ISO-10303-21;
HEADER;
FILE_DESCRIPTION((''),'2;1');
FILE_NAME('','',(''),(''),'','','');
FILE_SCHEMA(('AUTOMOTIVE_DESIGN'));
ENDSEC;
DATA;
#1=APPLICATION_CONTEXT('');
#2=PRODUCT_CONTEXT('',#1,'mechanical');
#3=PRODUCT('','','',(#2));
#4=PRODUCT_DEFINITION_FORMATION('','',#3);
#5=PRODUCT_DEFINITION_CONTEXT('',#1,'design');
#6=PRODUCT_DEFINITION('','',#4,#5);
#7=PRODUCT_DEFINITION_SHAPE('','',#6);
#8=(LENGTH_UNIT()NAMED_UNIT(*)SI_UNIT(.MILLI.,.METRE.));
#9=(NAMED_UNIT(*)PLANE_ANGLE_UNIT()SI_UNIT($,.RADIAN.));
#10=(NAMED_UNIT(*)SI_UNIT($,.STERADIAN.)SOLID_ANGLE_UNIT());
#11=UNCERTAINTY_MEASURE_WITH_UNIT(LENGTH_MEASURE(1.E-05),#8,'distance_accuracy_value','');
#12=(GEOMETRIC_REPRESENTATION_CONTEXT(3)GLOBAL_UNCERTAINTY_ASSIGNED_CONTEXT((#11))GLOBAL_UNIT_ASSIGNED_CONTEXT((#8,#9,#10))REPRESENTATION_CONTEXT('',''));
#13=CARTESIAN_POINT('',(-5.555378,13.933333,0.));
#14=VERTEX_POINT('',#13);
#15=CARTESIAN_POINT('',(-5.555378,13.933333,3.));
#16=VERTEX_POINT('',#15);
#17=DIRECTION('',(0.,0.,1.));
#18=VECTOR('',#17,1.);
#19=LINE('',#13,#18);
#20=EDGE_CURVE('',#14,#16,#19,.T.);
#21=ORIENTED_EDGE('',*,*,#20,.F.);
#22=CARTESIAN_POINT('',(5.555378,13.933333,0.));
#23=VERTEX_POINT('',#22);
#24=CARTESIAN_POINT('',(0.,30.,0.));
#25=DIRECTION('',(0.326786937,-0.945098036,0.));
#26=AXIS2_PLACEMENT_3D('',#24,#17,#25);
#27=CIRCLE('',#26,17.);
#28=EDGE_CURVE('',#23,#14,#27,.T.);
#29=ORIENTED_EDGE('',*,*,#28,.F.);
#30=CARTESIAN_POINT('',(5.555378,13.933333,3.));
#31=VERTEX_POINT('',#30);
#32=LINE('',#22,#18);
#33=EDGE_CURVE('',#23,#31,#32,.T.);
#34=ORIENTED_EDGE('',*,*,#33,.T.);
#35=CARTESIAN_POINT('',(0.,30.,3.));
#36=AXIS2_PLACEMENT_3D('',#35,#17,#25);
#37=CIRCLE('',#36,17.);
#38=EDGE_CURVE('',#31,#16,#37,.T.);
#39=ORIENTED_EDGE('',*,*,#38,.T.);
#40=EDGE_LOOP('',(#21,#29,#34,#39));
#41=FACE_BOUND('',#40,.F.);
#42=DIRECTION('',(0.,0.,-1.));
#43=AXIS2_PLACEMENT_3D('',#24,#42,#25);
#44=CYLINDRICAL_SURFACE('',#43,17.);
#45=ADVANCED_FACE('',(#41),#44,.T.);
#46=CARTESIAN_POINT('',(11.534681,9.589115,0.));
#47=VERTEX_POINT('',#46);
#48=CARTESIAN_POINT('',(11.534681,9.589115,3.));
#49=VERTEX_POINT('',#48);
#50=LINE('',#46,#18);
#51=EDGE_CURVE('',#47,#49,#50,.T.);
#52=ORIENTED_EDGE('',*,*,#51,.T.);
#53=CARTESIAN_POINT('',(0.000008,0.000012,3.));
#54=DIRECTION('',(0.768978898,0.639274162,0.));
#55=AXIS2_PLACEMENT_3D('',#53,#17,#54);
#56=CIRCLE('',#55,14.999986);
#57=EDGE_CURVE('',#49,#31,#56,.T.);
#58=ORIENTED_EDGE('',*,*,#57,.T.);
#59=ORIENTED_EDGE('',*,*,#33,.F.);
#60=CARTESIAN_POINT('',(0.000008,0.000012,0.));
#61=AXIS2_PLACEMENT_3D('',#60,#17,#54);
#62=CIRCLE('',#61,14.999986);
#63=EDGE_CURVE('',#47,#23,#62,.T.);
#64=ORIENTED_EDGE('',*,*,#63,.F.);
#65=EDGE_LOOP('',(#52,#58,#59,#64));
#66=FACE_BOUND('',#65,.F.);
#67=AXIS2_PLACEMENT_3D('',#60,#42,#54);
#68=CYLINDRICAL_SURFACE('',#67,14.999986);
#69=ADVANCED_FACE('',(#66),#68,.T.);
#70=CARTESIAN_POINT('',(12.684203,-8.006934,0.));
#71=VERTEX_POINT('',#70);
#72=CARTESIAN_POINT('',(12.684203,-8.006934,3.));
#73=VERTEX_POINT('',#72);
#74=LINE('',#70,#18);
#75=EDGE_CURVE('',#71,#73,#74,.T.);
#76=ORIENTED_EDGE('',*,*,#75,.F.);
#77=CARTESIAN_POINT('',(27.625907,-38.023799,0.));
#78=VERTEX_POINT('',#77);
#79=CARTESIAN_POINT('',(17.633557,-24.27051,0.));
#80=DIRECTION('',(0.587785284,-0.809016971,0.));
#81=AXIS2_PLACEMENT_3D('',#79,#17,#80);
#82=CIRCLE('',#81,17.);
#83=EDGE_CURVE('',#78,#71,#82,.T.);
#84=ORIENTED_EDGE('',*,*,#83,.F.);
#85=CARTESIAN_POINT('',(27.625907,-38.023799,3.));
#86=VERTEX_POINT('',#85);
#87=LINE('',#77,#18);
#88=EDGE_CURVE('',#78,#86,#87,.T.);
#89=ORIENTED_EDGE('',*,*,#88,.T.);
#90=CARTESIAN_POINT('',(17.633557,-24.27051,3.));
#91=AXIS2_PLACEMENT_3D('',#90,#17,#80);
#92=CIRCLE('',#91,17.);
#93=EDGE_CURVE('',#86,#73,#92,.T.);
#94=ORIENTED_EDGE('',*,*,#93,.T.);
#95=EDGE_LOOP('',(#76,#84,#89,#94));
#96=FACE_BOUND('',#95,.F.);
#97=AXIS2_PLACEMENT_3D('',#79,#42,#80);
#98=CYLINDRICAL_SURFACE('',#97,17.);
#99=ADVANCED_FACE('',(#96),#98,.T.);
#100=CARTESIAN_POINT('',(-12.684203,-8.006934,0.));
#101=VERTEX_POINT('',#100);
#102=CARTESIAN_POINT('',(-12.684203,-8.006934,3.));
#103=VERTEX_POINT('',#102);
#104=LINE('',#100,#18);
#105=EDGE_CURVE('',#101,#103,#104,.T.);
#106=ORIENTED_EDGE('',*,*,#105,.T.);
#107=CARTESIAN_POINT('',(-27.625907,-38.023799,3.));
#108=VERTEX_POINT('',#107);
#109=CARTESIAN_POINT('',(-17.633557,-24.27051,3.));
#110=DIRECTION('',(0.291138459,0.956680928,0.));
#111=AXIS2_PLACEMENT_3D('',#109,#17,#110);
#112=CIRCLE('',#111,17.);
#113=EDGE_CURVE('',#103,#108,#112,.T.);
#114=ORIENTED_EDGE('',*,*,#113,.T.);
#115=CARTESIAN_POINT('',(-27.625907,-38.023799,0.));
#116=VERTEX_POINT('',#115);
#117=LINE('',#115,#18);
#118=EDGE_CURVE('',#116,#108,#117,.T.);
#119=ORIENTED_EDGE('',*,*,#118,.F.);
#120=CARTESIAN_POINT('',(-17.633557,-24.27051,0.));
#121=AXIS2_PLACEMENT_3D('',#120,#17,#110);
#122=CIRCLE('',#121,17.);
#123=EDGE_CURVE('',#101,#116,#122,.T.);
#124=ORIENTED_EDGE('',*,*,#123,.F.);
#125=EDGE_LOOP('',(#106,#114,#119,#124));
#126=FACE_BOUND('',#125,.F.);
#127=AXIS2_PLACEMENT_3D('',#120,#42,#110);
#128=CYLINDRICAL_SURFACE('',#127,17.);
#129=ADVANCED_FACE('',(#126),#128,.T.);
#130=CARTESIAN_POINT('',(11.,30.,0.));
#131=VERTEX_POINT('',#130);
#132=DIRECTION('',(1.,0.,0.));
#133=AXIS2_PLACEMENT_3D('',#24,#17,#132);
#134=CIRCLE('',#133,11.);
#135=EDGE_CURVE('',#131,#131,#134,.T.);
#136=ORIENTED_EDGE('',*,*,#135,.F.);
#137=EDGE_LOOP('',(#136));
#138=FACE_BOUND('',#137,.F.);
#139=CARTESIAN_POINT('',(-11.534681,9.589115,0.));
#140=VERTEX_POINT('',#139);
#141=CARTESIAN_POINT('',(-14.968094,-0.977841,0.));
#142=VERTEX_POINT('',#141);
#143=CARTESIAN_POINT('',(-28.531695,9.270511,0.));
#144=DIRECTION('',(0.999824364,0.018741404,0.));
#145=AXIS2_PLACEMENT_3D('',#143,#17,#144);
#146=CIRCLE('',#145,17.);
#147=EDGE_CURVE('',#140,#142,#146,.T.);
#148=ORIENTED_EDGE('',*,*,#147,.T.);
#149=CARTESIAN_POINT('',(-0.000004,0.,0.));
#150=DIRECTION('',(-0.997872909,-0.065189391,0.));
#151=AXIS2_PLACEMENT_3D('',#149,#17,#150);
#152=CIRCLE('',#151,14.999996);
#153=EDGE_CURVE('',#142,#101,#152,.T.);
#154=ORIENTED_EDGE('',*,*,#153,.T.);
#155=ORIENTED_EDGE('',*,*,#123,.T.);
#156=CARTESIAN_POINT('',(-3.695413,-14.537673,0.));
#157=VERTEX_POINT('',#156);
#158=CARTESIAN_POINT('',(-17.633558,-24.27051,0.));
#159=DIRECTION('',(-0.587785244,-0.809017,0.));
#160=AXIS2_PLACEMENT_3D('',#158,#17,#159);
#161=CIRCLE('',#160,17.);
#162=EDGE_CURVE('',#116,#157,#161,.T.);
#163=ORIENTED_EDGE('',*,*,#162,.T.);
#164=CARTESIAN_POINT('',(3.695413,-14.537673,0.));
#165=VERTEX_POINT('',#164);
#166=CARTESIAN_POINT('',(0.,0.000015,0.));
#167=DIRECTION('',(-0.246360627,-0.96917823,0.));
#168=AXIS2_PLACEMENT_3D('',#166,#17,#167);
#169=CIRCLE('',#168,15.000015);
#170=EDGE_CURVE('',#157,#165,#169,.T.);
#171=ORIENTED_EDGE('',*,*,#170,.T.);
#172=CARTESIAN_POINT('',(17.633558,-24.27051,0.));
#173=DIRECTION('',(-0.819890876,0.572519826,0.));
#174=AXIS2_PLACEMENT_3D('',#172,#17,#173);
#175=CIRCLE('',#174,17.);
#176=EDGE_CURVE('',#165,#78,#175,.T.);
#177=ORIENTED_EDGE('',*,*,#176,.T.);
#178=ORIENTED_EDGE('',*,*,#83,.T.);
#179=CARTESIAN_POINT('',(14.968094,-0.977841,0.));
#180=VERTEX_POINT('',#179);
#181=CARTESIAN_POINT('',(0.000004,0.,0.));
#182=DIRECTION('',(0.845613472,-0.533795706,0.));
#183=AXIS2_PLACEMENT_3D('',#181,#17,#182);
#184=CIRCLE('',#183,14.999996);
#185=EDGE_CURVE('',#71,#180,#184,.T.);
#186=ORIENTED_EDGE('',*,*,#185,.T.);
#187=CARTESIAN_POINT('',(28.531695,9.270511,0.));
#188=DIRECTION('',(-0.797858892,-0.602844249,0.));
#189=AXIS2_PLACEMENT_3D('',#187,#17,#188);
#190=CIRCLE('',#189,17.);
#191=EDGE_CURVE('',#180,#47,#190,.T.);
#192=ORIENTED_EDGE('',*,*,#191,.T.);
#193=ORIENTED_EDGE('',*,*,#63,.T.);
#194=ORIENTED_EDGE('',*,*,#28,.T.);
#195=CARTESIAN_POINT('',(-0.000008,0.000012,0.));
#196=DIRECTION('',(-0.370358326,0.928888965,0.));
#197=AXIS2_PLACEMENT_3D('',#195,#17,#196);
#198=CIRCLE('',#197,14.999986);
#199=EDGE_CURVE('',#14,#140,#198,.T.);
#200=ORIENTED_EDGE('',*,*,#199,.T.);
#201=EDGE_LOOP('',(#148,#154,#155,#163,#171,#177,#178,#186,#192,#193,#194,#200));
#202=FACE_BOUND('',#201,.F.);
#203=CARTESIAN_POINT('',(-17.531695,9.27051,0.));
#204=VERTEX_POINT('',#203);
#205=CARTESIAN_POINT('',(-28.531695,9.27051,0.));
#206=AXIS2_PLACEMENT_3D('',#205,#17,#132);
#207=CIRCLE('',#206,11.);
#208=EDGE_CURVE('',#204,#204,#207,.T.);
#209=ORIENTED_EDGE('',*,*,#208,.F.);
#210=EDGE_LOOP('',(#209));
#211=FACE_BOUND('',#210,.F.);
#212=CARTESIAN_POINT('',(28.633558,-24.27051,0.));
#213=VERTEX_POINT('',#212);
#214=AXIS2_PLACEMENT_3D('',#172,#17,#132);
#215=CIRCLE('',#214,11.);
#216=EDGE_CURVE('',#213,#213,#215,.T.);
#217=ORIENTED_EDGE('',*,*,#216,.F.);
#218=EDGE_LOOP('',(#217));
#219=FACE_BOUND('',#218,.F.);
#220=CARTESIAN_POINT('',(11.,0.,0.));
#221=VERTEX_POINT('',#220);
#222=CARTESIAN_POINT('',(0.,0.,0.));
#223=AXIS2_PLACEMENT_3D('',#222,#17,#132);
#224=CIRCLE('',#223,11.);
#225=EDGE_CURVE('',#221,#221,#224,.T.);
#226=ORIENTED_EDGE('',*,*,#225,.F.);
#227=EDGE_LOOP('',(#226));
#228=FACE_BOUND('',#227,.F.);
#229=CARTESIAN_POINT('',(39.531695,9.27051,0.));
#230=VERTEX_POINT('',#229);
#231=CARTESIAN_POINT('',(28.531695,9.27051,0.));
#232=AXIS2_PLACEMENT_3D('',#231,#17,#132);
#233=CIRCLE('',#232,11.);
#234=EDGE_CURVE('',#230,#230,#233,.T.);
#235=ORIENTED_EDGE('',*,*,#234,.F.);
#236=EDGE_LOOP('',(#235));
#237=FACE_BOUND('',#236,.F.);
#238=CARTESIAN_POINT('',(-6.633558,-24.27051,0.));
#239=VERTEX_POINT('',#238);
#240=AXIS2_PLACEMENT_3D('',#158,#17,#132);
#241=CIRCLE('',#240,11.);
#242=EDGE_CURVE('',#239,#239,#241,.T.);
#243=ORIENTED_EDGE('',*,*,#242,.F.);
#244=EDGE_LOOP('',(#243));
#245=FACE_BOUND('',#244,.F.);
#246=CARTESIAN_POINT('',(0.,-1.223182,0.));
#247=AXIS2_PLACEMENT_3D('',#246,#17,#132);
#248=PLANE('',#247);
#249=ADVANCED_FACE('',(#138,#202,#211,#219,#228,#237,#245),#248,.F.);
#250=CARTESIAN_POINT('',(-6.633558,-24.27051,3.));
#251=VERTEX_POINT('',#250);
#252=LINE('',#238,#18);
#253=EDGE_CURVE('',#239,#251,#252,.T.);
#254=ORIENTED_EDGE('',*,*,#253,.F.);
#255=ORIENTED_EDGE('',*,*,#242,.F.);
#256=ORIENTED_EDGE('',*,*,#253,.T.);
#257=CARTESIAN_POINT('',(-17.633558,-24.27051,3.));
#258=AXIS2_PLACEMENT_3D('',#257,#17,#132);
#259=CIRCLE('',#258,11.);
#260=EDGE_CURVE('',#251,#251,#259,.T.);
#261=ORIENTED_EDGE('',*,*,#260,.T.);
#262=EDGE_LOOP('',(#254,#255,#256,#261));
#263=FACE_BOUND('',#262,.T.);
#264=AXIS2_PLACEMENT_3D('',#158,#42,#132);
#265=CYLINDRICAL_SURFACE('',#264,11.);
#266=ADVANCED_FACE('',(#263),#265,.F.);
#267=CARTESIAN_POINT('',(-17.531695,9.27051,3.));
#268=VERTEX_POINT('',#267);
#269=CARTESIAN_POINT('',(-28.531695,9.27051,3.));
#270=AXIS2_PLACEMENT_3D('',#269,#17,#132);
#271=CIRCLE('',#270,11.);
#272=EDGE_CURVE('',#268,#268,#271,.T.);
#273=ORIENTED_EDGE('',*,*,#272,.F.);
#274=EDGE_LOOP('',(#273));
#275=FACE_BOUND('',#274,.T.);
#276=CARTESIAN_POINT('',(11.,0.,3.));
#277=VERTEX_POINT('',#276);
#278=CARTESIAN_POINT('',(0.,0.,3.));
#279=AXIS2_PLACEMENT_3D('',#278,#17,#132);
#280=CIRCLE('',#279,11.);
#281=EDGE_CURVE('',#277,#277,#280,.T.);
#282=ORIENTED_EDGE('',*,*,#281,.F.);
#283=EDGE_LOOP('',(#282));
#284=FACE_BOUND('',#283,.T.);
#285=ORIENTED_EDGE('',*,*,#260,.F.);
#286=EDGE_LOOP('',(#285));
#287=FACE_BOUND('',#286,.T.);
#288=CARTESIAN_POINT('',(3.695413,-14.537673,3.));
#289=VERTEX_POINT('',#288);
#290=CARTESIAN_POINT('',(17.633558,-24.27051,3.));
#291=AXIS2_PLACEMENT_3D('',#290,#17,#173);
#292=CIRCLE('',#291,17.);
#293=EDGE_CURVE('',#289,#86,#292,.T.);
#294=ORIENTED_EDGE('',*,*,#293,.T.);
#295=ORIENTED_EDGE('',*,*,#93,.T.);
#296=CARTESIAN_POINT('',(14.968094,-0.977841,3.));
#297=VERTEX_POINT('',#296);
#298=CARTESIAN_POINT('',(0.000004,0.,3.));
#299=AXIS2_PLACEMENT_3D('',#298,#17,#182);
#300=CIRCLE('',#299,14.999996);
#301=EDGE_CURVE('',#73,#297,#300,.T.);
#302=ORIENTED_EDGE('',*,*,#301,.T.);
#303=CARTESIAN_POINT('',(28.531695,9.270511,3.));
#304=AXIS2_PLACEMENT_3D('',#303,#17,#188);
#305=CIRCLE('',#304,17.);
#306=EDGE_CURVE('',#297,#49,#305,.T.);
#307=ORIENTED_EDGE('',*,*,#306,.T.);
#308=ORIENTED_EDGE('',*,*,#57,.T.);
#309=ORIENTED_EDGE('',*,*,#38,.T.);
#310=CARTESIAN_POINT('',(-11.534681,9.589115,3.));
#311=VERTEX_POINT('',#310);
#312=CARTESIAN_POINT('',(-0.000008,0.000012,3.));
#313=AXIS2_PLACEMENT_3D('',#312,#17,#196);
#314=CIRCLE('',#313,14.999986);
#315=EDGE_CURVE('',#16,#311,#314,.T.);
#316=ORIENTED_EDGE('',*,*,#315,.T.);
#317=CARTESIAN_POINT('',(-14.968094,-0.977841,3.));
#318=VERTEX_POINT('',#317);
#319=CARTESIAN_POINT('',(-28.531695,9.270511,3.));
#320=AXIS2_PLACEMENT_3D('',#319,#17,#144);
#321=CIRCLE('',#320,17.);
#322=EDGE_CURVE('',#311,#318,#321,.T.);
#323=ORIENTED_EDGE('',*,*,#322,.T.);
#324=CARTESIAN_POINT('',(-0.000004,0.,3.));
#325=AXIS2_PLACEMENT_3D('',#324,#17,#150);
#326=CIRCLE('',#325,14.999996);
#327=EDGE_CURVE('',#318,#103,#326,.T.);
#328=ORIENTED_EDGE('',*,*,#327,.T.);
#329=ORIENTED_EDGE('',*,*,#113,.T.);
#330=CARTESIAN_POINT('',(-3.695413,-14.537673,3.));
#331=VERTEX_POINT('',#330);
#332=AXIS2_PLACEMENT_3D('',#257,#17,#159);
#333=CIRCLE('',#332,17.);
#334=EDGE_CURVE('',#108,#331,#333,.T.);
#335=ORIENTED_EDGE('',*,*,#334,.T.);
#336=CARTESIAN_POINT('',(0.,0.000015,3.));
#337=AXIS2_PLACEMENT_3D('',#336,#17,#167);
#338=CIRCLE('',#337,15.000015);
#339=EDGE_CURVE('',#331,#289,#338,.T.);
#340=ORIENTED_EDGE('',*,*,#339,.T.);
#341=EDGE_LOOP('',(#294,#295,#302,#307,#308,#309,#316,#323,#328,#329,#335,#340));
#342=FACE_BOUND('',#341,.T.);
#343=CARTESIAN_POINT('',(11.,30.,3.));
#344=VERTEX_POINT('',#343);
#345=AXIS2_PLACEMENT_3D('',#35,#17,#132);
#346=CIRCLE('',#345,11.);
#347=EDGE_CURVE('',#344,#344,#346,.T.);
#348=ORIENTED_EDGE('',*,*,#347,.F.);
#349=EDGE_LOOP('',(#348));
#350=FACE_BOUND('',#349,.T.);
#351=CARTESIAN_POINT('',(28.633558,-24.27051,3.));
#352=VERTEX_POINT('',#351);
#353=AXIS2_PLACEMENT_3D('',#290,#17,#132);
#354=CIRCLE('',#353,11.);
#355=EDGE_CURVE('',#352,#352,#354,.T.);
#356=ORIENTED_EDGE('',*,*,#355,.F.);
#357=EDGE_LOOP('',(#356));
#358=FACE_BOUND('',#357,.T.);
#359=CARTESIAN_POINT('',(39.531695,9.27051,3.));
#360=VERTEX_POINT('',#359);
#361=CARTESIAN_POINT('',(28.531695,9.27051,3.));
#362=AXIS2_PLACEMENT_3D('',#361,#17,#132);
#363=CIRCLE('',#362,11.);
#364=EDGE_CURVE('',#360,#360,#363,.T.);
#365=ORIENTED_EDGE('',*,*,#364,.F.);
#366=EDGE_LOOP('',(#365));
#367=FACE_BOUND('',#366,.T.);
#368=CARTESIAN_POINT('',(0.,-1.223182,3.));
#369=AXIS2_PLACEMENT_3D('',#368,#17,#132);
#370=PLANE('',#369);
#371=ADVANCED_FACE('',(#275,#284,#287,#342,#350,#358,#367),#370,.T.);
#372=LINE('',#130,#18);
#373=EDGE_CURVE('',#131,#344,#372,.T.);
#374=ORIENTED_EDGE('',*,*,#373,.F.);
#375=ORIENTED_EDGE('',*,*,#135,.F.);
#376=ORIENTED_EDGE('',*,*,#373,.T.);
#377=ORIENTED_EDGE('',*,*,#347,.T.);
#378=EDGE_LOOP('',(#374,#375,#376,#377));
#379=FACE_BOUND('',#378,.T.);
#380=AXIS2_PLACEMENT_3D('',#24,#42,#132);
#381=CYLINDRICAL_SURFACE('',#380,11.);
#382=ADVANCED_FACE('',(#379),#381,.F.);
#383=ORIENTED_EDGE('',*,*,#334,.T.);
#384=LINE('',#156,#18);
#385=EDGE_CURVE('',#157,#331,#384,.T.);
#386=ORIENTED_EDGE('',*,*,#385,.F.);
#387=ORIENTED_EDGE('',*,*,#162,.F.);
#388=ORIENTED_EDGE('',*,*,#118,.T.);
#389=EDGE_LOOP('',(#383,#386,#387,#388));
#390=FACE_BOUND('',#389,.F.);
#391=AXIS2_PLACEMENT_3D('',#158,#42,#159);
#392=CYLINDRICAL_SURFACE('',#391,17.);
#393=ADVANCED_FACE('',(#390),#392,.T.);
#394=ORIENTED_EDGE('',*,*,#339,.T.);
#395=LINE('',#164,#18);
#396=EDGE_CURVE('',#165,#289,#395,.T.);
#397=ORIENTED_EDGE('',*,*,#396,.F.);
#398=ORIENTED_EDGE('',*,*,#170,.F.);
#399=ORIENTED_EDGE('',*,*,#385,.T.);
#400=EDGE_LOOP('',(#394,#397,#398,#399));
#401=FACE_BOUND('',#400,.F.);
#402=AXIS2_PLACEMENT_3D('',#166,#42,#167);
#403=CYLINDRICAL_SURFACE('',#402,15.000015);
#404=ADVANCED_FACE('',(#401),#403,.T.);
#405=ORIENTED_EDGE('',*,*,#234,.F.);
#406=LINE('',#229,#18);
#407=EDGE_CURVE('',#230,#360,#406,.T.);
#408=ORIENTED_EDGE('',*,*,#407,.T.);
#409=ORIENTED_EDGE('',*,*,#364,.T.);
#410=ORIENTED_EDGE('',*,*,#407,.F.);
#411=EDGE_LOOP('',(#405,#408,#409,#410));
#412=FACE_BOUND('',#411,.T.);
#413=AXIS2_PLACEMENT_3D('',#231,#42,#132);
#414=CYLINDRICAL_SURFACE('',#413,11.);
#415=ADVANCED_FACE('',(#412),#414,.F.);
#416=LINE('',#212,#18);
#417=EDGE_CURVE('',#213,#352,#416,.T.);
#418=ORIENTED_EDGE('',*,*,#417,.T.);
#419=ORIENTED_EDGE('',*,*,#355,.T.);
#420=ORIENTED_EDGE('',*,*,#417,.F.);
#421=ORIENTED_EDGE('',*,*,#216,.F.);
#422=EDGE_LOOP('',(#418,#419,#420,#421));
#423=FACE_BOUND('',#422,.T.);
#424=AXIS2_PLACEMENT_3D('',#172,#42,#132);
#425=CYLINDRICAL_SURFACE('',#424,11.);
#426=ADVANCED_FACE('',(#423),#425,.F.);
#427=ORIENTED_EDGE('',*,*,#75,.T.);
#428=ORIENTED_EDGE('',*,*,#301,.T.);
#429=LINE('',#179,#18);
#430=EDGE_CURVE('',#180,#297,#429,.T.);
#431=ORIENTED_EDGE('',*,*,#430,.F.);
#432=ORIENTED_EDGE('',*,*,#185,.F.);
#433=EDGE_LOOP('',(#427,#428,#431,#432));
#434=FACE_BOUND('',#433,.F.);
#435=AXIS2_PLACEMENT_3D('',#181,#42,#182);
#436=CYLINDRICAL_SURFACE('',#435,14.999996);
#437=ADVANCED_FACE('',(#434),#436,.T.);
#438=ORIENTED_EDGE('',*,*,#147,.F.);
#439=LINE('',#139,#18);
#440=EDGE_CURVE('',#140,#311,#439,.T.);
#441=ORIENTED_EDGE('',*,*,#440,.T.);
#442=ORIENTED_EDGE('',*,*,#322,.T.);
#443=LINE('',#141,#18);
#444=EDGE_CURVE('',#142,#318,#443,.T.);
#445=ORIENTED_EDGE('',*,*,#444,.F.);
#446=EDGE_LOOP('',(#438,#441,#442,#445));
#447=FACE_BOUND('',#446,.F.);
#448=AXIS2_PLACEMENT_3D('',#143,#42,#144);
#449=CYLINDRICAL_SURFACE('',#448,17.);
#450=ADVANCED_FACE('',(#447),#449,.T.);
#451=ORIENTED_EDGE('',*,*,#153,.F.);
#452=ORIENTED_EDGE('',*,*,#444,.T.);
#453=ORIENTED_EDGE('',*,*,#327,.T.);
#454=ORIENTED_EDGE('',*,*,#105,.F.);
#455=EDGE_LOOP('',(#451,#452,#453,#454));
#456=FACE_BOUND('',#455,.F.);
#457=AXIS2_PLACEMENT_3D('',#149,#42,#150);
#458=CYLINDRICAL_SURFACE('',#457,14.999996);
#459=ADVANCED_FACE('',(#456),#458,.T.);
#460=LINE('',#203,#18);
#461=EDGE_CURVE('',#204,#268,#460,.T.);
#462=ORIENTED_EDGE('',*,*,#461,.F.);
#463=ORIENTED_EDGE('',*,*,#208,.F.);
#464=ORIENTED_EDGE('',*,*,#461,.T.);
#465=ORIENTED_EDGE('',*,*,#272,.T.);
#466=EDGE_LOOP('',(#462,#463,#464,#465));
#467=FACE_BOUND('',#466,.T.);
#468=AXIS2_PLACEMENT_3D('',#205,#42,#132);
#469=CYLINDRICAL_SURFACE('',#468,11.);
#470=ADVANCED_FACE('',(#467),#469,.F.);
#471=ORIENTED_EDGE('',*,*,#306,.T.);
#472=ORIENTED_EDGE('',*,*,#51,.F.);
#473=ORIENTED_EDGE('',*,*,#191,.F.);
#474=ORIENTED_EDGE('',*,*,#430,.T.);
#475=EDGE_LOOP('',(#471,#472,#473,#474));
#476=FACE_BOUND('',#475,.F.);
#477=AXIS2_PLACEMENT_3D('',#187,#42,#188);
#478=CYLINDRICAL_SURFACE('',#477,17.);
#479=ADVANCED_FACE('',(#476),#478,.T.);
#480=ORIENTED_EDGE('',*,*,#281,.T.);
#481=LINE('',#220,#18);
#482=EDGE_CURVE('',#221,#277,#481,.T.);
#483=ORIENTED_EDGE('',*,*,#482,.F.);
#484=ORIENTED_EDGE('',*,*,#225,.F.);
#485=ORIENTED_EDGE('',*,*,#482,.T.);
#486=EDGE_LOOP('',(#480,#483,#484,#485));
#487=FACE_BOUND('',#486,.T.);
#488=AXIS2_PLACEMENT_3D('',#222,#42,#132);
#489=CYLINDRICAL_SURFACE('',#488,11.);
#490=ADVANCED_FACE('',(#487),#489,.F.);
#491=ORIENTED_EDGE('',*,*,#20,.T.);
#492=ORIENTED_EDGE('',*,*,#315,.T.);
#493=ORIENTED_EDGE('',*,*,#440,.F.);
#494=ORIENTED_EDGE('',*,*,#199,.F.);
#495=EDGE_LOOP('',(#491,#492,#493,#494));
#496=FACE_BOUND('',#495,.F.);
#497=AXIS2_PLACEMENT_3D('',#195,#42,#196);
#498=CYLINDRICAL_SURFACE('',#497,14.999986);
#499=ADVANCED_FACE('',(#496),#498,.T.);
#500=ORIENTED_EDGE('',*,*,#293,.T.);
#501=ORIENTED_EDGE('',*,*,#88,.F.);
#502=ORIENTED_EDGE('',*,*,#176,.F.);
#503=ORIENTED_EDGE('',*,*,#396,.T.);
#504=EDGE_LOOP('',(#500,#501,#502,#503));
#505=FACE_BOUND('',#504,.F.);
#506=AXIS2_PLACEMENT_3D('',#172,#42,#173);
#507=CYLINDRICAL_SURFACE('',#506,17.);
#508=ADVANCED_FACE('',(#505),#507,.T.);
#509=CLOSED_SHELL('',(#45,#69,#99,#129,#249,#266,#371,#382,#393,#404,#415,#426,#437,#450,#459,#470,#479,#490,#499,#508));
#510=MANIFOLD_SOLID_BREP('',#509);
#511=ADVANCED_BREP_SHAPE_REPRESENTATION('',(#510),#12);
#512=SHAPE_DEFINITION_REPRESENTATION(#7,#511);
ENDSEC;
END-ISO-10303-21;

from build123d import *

# Parameters (mm, degrees)
F0_R     = 11
F1_DEPTH = 3


with BuildPart() as f1:
    # F0 (on Top) → F1 (new body)
    with BuildSketch(Plane.XY):
        with BuildLine():
            ThreePointArc((-27.625907, -38.023799), (-5.725919, -36.403446), (-3.695413, -14.537673))
            ThreePointArc((-3.695413, -14.537673), (0, -15), (3.695413, -14.537673))
            ThreePointArc((3.695413, -14.537673), (5.725919, -36.403446), (27.625907, -38.023799))
            ThreePointArc((27.625907, -38.023799), (32.852328, -16.694956), (12.684203, -8.006934))
            ThreePointArc((12.684203, -8.006934), (14.265848, -4.635255), (14.968094, -0.977841))
            ThreePointArc((14.968094, -0.977841), (44.699656, 14.523799), (11.534681, 9.589115))
            ThreePointArc((11.534681, 9.589115), (8.816779, 12.135255), (5.555378, 13.933333))
            ThreePointArc((5.555378, 13.933333), (0, 47), (-5.555378, 13.933333))
            ThreePointArc((-5.555378, 13.933333), (-8.816779, 12.135255), (-11.534681, 9.589115))
            ThreePointArc((-11.534681, 9.589115), (-44.699656, 14.523799), (-14.968094, -0.977841))
            ThreePointArc((-14.968094, -0.977841), (-14.265848, -4.635255), (-12.684203, -8.006934))
            ThreePointArc((-12.684203, -8.006934), (-32.852328, -16.694956), (-27.625907, -38.023799))
        make_face()
        with Locations((-17.633558, -24.27051)):
            Circle(F0_R, mode=Mode.SUBTRACT)
        Circle(F0_R, mode=Mode.SUBTRACT)
        with Locations((17.633558, -24.27051)):
            Circle(F0_R, mode=Mode.SUBTRACT)
        with Locations((-28.531695, 9.27051)):
            Circle(F0_R, mode=Mode.SUBTRACT)
        with Locations((0, 30)):
            Circle(F0_R, mode=Mode.SUBTRACT)
        with Locations((28.531695, 9.27051)):
            Circle(F0_R, mode=Mode.SUBTRACT)
    extrude(amount=F1_DEPTH)


solid = f1.part
